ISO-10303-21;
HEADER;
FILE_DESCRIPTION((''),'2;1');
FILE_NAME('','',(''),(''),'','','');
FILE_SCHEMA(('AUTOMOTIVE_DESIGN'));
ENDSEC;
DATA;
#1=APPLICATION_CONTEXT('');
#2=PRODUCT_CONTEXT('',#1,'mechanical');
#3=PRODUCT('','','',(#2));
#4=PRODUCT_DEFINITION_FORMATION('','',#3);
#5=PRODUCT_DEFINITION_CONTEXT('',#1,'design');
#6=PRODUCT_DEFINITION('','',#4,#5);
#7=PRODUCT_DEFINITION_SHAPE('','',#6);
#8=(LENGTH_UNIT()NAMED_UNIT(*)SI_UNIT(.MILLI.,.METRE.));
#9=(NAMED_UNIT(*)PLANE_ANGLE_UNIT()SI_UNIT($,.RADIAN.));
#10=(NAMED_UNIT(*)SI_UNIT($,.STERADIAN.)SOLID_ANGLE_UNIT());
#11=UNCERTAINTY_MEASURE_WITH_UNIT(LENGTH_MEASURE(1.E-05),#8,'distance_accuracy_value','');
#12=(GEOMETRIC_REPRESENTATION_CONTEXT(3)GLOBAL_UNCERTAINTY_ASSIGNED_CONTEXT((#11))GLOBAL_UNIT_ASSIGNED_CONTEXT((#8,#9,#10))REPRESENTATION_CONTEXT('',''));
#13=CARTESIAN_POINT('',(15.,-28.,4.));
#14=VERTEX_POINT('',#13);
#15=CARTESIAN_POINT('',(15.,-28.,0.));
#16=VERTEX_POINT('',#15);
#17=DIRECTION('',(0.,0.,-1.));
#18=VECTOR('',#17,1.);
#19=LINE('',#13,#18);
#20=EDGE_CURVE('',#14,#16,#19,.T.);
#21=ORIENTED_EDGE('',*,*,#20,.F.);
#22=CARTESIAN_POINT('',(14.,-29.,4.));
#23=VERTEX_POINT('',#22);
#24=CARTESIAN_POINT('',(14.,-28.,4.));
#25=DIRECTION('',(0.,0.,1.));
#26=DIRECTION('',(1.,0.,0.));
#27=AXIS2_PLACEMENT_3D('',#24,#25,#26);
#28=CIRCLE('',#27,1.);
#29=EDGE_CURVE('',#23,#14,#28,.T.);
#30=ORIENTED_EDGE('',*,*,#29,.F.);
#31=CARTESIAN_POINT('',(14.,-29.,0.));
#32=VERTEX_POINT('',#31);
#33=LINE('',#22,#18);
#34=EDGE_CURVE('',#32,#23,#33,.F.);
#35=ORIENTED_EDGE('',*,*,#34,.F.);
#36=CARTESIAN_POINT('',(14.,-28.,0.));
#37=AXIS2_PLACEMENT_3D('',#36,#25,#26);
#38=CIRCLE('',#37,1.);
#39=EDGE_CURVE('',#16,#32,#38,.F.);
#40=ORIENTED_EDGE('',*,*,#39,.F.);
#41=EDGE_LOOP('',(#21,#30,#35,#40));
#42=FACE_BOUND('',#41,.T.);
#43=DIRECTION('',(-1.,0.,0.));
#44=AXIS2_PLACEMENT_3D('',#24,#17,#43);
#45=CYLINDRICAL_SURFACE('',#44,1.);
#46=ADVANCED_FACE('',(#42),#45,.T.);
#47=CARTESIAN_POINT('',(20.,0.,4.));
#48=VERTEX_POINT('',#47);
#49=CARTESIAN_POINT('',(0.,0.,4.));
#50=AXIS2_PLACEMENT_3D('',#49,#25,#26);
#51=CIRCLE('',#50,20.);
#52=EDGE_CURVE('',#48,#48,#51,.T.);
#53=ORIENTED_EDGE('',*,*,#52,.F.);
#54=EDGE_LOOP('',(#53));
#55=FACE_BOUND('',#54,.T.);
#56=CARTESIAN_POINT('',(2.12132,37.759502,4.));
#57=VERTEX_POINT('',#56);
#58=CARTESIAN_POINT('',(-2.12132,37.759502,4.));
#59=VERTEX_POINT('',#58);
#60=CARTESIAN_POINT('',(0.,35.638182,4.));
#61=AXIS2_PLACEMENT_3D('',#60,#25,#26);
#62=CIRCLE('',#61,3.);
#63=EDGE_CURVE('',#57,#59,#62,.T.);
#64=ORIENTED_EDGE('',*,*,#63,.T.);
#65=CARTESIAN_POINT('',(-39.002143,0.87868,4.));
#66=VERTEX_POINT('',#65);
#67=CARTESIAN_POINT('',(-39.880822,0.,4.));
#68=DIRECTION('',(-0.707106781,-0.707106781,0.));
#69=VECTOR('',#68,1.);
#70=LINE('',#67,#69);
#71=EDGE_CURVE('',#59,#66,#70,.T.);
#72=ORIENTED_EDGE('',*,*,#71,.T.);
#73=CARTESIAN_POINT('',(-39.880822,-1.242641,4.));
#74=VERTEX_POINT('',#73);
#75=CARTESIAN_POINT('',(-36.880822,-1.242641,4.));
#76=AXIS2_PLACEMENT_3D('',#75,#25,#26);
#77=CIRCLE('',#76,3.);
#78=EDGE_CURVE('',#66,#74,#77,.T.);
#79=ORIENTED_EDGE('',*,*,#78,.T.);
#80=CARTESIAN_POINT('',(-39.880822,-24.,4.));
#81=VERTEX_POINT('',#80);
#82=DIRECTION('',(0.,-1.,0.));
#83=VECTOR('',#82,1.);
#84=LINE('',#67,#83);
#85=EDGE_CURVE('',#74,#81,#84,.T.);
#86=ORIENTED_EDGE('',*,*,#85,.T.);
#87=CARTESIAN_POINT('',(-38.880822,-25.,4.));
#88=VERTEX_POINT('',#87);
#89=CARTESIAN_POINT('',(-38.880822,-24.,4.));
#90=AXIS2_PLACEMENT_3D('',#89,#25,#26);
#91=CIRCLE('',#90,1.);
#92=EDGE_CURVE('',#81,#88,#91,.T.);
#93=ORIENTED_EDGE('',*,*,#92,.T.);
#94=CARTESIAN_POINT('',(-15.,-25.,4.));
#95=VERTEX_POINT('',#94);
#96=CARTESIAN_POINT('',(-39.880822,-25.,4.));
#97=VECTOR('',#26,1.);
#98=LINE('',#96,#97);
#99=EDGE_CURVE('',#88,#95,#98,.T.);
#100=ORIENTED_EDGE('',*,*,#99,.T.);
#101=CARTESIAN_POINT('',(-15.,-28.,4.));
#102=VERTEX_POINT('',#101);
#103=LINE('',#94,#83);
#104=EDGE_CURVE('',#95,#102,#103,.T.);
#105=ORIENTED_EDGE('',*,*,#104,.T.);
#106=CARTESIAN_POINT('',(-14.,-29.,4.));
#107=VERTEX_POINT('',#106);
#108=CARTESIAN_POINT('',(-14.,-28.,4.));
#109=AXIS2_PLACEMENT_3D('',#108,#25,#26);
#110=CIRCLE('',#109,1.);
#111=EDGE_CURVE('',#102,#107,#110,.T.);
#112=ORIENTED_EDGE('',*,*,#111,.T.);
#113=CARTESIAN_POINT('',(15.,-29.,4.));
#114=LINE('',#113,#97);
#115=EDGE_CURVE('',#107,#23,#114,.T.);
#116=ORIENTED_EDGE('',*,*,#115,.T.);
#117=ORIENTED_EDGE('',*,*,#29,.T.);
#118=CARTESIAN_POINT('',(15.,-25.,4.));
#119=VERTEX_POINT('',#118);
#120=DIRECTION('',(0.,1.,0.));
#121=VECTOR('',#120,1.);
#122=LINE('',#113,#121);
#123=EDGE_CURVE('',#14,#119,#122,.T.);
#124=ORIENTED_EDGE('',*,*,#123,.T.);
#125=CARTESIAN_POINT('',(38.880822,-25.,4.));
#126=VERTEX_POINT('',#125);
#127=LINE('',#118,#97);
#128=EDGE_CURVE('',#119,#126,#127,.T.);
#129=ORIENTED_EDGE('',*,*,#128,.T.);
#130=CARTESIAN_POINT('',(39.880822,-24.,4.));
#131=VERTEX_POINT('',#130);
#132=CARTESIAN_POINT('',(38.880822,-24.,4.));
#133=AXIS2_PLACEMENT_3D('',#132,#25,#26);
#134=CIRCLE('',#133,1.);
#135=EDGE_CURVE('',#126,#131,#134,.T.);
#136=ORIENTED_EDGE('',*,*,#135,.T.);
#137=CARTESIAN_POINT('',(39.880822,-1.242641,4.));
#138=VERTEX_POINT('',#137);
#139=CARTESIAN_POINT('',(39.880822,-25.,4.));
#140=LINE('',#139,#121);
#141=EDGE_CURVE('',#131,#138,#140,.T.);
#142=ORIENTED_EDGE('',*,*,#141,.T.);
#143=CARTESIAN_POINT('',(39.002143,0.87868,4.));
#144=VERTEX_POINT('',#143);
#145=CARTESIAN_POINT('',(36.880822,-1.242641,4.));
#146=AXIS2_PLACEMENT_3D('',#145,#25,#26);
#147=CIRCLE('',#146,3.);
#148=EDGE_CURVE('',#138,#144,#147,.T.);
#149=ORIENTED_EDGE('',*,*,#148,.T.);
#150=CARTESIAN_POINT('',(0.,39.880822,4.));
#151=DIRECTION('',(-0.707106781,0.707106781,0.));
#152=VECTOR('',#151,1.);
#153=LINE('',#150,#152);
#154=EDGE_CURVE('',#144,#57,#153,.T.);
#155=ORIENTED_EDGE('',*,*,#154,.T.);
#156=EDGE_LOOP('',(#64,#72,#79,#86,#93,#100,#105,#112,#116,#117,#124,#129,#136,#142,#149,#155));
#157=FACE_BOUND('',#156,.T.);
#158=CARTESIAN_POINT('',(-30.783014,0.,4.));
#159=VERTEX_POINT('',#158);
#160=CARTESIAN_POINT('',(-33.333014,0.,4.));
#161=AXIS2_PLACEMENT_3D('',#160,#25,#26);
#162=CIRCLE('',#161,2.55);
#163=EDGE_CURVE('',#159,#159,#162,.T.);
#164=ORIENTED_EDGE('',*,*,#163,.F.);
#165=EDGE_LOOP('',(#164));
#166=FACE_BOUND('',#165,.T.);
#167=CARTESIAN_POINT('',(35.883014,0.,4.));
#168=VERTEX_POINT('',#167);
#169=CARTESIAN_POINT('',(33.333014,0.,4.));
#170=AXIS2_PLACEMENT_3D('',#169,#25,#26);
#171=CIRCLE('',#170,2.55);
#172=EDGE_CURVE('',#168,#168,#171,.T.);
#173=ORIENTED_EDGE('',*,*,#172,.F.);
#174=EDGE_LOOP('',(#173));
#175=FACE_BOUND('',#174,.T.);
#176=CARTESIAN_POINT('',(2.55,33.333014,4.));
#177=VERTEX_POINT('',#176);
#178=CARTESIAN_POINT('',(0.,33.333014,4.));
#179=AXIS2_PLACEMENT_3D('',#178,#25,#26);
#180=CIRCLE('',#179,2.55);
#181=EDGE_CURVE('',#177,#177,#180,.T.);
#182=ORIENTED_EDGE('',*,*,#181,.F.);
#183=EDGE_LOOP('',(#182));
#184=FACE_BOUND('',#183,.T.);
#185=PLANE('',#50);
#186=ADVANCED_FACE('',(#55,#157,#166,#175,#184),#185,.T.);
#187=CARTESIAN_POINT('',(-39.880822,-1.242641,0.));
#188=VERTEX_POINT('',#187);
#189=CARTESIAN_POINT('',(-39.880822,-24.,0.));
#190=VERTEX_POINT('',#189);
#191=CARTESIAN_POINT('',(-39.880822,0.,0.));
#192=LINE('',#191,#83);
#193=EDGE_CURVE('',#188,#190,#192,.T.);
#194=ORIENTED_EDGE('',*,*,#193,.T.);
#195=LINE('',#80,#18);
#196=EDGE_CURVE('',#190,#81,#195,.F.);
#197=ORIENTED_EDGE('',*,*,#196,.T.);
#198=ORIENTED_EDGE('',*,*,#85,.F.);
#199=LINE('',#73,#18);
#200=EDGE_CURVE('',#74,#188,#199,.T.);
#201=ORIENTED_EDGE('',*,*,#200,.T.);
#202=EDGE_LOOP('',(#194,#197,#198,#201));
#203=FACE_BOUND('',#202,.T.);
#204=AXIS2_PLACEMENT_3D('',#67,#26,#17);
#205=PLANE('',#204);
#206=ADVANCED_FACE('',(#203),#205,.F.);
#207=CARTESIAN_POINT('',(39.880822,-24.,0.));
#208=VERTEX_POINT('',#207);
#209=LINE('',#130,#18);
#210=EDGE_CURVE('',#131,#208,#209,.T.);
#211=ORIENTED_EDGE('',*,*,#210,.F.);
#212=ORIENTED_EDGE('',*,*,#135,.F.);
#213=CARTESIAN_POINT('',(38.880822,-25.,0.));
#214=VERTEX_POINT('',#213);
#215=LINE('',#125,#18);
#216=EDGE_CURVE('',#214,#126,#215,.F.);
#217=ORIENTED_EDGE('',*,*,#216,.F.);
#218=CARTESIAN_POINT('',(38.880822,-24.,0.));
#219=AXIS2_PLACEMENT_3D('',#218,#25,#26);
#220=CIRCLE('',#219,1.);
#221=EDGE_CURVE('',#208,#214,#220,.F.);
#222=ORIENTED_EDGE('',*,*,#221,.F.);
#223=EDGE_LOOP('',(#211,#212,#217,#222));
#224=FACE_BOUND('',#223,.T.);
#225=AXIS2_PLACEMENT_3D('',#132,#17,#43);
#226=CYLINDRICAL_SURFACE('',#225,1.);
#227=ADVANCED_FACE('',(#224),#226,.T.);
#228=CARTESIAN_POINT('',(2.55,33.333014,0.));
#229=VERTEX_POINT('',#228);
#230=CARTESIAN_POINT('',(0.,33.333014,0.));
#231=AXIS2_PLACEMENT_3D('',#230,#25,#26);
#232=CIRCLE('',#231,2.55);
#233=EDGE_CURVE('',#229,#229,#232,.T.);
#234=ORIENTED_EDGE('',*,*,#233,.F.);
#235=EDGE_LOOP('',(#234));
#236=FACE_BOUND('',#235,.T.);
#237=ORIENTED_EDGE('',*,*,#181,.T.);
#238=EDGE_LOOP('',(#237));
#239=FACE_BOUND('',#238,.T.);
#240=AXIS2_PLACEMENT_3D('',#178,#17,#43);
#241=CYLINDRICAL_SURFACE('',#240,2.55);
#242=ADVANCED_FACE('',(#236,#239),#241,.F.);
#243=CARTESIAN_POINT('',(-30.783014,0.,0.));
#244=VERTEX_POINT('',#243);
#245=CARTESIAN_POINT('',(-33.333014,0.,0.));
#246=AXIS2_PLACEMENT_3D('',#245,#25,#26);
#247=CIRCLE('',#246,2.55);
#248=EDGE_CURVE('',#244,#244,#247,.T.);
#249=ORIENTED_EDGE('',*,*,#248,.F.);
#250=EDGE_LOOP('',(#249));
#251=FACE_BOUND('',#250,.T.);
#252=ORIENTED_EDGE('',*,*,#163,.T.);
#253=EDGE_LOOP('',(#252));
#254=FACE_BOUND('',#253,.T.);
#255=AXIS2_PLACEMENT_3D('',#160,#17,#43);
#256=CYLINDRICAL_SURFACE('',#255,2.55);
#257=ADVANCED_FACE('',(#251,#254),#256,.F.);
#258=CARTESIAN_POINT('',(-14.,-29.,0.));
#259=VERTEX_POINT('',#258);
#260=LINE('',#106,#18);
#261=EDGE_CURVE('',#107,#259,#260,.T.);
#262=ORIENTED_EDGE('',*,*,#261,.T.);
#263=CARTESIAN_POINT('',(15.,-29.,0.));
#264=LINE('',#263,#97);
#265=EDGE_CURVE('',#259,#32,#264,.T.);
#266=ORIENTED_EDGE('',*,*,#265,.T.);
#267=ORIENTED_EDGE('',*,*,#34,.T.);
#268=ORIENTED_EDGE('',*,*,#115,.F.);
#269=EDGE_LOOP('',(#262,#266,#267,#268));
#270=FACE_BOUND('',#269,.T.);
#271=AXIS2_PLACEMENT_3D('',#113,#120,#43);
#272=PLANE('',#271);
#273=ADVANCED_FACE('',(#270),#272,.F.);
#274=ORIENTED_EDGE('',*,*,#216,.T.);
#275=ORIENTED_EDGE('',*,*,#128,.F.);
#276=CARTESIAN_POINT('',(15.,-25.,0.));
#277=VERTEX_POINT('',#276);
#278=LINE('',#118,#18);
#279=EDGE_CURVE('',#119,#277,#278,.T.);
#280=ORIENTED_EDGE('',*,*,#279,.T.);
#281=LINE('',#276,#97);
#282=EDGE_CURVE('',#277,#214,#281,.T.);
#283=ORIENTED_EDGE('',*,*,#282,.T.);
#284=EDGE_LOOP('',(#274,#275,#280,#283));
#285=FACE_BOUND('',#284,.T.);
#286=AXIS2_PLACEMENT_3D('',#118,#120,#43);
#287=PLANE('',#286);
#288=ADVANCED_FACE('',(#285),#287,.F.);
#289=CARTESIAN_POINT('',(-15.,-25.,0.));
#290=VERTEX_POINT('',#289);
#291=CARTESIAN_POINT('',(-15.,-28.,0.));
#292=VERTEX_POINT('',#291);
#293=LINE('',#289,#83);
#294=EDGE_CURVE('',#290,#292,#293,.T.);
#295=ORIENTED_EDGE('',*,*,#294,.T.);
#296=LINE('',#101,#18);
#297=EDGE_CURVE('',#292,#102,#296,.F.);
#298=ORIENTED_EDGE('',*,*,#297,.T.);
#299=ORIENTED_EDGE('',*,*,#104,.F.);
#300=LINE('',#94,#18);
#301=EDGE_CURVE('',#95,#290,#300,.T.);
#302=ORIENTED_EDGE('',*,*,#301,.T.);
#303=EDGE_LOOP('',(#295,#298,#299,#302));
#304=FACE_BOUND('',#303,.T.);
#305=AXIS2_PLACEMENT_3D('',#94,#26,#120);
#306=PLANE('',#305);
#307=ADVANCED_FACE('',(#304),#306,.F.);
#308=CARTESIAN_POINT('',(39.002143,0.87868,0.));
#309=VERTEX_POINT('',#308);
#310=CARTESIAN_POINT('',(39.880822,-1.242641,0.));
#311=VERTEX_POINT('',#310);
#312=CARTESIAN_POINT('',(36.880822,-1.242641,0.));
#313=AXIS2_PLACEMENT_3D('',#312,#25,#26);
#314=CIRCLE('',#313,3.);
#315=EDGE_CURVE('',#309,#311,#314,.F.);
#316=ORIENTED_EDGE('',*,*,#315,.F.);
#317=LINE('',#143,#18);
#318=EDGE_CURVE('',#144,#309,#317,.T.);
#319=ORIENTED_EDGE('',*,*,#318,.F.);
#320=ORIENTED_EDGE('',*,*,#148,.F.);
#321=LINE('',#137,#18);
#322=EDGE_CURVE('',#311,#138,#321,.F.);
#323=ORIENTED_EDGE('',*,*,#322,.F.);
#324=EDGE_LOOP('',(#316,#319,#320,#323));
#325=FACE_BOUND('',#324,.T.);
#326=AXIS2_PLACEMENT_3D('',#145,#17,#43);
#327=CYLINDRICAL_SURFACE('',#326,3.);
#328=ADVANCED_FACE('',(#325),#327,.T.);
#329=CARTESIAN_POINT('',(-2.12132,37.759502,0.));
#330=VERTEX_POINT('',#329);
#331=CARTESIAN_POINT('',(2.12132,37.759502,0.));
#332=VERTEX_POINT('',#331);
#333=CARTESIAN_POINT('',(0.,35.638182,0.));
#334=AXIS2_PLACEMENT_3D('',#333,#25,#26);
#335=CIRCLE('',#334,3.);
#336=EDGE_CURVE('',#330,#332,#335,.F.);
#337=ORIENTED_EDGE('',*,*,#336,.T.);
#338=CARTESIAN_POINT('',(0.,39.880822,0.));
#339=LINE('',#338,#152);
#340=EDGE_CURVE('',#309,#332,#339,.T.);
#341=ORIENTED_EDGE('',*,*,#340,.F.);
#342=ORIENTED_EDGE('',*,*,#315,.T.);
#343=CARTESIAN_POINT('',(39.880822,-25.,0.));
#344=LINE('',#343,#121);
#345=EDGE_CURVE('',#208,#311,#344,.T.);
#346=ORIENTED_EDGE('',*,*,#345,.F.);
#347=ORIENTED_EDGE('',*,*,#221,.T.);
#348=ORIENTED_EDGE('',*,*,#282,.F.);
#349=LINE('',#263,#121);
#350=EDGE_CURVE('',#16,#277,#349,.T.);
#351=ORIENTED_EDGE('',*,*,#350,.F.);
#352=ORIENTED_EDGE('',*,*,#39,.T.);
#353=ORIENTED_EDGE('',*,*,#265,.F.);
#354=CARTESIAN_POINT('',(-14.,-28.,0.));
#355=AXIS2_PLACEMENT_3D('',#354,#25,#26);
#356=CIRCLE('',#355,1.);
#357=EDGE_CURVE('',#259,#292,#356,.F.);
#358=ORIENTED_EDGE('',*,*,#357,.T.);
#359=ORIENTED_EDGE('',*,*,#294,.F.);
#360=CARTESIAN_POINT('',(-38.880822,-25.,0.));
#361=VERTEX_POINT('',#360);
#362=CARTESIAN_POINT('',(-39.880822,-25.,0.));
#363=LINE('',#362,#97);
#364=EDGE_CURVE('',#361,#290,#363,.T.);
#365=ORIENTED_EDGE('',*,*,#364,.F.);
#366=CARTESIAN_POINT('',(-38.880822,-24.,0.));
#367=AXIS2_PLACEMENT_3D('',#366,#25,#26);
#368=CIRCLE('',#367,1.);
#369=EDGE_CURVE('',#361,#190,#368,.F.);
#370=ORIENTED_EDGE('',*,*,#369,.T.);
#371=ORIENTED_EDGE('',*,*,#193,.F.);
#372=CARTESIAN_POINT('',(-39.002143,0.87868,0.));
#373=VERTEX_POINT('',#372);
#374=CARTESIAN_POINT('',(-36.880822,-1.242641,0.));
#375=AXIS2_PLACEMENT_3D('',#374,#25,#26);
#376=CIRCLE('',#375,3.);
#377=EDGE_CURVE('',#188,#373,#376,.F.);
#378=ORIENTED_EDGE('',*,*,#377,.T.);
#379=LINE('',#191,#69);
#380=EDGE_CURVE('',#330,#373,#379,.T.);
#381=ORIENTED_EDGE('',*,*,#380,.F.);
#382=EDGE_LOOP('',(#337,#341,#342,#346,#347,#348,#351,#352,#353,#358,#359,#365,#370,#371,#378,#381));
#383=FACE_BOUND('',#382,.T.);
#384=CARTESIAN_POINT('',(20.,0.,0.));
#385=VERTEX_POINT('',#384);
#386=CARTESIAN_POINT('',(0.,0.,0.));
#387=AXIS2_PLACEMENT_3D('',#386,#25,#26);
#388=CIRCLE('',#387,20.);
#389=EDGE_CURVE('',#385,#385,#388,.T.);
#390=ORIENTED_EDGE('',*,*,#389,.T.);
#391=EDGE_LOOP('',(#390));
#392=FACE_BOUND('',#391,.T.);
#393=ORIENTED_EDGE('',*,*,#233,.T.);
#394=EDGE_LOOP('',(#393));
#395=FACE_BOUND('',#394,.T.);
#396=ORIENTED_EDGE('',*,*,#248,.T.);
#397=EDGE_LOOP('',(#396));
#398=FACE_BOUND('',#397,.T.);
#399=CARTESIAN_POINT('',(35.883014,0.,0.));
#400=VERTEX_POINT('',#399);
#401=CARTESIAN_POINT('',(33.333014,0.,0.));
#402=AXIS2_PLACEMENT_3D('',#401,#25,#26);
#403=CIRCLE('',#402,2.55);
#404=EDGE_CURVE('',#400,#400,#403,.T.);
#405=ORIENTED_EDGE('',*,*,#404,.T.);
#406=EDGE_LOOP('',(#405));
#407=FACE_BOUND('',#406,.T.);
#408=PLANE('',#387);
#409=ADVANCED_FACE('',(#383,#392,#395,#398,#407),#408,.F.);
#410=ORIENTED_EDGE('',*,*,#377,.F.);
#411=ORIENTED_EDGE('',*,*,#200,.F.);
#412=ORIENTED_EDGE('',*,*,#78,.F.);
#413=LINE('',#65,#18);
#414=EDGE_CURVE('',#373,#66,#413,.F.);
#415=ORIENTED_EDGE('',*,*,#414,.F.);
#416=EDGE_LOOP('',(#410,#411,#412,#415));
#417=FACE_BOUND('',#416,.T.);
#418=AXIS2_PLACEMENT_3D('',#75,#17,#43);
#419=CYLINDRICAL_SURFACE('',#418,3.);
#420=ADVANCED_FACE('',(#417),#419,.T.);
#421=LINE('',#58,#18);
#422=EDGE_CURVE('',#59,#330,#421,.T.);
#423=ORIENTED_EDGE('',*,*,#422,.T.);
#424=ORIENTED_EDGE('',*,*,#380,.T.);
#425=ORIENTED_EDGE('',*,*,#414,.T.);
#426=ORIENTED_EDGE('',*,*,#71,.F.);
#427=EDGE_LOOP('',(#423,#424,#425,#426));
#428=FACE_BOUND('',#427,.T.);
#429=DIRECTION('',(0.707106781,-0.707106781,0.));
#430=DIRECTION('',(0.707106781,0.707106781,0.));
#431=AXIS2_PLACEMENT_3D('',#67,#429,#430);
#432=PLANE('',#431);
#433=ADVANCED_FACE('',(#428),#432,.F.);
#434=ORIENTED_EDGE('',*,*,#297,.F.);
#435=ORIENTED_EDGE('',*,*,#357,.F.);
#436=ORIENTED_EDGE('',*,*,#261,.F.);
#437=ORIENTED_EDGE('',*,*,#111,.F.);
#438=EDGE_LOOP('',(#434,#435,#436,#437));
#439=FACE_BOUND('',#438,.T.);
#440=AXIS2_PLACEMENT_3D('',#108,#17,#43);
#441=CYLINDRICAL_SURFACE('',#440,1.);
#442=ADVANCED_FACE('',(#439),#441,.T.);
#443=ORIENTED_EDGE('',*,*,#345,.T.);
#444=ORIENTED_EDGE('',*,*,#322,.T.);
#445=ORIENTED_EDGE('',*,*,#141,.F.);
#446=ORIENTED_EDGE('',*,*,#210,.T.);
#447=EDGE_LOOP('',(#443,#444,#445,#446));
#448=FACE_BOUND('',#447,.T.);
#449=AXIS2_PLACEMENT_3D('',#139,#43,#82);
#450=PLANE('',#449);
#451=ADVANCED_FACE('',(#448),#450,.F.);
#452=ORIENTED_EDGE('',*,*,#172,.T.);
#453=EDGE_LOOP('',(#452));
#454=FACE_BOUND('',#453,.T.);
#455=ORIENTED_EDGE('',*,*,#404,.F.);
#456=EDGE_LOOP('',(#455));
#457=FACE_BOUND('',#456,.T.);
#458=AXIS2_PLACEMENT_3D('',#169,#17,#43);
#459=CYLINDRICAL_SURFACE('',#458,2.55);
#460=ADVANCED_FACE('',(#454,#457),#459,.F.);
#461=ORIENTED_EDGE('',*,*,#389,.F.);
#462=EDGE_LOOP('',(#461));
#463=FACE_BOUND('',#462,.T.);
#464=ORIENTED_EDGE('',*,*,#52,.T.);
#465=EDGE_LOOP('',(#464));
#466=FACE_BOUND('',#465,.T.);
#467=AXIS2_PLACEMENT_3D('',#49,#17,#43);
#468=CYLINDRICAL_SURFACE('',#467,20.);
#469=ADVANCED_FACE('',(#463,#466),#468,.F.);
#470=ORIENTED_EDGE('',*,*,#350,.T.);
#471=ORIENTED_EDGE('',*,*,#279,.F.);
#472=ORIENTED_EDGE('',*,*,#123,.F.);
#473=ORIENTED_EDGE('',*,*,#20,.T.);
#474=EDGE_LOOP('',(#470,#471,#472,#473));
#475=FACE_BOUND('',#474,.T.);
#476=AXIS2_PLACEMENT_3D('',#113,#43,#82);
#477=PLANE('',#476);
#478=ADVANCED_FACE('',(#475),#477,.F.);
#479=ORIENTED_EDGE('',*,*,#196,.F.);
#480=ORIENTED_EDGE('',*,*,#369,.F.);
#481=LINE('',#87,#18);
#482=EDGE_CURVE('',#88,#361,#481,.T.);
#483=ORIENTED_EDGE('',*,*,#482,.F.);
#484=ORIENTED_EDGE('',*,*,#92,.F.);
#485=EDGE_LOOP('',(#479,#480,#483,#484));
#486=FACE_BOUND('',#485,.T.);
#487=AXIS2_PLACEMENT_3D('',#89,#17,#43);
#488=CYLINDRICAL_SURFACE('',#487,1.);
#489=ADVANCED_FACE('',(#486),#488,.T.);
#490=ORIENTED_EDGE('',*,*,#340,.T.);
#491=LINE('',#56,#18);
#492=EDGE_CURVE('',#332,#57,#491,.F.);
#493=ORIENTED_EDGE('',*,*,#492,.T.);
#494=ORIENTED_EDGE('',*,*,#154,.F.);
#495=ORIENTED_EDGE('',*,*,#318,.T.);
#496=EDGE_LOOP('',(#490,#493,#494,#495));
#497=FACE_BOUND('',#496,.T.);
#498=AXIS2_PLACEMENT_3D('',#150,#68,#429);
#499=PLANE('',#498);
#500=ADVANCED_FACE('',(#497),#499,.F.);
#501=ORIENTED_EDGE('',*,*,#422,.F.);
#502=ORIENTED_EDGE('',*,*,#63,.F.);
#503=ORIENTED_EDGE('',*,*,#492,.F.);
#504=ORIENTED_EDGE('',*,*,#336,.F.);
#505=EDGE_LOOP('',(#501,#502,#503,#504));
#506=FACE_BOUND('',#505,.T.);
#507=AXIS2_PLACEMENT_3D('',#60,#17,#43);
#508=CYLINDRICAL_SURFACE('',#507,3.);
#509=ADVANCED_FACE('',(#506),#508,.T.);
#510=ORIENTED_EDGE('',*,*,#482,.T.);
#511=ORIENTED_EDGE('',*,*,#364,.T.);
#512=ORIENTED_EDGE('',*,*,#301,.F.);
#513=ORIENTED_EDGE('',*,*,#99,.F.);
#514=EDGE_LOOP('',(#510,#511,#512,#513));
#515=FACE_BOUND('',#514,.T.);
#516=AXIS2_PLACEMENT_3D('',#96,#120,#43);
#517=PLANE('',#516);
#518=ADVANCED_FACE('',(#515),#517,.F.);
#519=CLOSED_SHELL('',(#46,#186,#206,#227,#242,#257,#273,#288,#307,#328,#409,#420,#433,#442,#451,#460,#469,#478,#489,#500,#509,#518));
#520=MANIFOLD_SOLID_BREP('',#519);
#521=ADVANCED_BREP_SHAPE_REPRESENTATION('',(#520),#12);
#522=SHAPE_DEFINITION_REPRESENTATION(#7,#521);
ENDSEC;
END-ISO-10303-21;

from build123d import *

# Parameters (mm, degrees)
SKETCH_1_R      = 20
SKETCH_1_R_2    = 2.55
EXTRUDE_2_DEPTH = 4
FILLET_1_R      = 3
FILLET_2_R      = 1


with BuildPart() as part:
    # Эскиз1 → Бобышка-Вытянуть2 (new body)
    with BuildSketch(Plane.XY):
        Polygon((-39.880822459, 0), (0, 39.880822459), (39.880822459, 0), (39.880822459, -25), (15, -25), (15, -29), (-15, -29), (-15, -25), (-39.880822459, -25), align=None)
        Circle(SKETCH_1_R, mode=Mode.SUBTRACT)
        with Locations((-33.333013665, 0)):
            Circle(SKETCH_1_R_2, mode=Mode.SUBTRACT)
        with Locations((0, 33.333013665)):
            Circle(SKETCH_1_R_2, mode=Mode.SUBTRACT)
        with Locations((33.333013665, 0)):
            Circle(SKETCH_1_R_2, mode=Mode.SUBTRACT)
    extrude(amount=EXTRUDE_2_DEPTH)

    # Скругление1
    fillet_1_edges = [part.edges().sort_by_distance(p)[0] for p in [
        (-39.880822459, 0, 2),
        (0, 39.880822459, 2),
        (39.880822459, 0, 2),
    ]]
    fillet(fillet_1_edges, radius=FILLET_1_R)

    # Скругление2
    fillet_2_edges = [part.edges().sort_by_distance(p)[0] for p in [
        (39.880822459, -25, 2),
        (15, -29, 2),
        (-15, -29, 2),
        (-39.880822459, -25, 2),
    ]]
    fillet(fillet_2_edges, radius=FILLET_2_R)


solid = part.part
